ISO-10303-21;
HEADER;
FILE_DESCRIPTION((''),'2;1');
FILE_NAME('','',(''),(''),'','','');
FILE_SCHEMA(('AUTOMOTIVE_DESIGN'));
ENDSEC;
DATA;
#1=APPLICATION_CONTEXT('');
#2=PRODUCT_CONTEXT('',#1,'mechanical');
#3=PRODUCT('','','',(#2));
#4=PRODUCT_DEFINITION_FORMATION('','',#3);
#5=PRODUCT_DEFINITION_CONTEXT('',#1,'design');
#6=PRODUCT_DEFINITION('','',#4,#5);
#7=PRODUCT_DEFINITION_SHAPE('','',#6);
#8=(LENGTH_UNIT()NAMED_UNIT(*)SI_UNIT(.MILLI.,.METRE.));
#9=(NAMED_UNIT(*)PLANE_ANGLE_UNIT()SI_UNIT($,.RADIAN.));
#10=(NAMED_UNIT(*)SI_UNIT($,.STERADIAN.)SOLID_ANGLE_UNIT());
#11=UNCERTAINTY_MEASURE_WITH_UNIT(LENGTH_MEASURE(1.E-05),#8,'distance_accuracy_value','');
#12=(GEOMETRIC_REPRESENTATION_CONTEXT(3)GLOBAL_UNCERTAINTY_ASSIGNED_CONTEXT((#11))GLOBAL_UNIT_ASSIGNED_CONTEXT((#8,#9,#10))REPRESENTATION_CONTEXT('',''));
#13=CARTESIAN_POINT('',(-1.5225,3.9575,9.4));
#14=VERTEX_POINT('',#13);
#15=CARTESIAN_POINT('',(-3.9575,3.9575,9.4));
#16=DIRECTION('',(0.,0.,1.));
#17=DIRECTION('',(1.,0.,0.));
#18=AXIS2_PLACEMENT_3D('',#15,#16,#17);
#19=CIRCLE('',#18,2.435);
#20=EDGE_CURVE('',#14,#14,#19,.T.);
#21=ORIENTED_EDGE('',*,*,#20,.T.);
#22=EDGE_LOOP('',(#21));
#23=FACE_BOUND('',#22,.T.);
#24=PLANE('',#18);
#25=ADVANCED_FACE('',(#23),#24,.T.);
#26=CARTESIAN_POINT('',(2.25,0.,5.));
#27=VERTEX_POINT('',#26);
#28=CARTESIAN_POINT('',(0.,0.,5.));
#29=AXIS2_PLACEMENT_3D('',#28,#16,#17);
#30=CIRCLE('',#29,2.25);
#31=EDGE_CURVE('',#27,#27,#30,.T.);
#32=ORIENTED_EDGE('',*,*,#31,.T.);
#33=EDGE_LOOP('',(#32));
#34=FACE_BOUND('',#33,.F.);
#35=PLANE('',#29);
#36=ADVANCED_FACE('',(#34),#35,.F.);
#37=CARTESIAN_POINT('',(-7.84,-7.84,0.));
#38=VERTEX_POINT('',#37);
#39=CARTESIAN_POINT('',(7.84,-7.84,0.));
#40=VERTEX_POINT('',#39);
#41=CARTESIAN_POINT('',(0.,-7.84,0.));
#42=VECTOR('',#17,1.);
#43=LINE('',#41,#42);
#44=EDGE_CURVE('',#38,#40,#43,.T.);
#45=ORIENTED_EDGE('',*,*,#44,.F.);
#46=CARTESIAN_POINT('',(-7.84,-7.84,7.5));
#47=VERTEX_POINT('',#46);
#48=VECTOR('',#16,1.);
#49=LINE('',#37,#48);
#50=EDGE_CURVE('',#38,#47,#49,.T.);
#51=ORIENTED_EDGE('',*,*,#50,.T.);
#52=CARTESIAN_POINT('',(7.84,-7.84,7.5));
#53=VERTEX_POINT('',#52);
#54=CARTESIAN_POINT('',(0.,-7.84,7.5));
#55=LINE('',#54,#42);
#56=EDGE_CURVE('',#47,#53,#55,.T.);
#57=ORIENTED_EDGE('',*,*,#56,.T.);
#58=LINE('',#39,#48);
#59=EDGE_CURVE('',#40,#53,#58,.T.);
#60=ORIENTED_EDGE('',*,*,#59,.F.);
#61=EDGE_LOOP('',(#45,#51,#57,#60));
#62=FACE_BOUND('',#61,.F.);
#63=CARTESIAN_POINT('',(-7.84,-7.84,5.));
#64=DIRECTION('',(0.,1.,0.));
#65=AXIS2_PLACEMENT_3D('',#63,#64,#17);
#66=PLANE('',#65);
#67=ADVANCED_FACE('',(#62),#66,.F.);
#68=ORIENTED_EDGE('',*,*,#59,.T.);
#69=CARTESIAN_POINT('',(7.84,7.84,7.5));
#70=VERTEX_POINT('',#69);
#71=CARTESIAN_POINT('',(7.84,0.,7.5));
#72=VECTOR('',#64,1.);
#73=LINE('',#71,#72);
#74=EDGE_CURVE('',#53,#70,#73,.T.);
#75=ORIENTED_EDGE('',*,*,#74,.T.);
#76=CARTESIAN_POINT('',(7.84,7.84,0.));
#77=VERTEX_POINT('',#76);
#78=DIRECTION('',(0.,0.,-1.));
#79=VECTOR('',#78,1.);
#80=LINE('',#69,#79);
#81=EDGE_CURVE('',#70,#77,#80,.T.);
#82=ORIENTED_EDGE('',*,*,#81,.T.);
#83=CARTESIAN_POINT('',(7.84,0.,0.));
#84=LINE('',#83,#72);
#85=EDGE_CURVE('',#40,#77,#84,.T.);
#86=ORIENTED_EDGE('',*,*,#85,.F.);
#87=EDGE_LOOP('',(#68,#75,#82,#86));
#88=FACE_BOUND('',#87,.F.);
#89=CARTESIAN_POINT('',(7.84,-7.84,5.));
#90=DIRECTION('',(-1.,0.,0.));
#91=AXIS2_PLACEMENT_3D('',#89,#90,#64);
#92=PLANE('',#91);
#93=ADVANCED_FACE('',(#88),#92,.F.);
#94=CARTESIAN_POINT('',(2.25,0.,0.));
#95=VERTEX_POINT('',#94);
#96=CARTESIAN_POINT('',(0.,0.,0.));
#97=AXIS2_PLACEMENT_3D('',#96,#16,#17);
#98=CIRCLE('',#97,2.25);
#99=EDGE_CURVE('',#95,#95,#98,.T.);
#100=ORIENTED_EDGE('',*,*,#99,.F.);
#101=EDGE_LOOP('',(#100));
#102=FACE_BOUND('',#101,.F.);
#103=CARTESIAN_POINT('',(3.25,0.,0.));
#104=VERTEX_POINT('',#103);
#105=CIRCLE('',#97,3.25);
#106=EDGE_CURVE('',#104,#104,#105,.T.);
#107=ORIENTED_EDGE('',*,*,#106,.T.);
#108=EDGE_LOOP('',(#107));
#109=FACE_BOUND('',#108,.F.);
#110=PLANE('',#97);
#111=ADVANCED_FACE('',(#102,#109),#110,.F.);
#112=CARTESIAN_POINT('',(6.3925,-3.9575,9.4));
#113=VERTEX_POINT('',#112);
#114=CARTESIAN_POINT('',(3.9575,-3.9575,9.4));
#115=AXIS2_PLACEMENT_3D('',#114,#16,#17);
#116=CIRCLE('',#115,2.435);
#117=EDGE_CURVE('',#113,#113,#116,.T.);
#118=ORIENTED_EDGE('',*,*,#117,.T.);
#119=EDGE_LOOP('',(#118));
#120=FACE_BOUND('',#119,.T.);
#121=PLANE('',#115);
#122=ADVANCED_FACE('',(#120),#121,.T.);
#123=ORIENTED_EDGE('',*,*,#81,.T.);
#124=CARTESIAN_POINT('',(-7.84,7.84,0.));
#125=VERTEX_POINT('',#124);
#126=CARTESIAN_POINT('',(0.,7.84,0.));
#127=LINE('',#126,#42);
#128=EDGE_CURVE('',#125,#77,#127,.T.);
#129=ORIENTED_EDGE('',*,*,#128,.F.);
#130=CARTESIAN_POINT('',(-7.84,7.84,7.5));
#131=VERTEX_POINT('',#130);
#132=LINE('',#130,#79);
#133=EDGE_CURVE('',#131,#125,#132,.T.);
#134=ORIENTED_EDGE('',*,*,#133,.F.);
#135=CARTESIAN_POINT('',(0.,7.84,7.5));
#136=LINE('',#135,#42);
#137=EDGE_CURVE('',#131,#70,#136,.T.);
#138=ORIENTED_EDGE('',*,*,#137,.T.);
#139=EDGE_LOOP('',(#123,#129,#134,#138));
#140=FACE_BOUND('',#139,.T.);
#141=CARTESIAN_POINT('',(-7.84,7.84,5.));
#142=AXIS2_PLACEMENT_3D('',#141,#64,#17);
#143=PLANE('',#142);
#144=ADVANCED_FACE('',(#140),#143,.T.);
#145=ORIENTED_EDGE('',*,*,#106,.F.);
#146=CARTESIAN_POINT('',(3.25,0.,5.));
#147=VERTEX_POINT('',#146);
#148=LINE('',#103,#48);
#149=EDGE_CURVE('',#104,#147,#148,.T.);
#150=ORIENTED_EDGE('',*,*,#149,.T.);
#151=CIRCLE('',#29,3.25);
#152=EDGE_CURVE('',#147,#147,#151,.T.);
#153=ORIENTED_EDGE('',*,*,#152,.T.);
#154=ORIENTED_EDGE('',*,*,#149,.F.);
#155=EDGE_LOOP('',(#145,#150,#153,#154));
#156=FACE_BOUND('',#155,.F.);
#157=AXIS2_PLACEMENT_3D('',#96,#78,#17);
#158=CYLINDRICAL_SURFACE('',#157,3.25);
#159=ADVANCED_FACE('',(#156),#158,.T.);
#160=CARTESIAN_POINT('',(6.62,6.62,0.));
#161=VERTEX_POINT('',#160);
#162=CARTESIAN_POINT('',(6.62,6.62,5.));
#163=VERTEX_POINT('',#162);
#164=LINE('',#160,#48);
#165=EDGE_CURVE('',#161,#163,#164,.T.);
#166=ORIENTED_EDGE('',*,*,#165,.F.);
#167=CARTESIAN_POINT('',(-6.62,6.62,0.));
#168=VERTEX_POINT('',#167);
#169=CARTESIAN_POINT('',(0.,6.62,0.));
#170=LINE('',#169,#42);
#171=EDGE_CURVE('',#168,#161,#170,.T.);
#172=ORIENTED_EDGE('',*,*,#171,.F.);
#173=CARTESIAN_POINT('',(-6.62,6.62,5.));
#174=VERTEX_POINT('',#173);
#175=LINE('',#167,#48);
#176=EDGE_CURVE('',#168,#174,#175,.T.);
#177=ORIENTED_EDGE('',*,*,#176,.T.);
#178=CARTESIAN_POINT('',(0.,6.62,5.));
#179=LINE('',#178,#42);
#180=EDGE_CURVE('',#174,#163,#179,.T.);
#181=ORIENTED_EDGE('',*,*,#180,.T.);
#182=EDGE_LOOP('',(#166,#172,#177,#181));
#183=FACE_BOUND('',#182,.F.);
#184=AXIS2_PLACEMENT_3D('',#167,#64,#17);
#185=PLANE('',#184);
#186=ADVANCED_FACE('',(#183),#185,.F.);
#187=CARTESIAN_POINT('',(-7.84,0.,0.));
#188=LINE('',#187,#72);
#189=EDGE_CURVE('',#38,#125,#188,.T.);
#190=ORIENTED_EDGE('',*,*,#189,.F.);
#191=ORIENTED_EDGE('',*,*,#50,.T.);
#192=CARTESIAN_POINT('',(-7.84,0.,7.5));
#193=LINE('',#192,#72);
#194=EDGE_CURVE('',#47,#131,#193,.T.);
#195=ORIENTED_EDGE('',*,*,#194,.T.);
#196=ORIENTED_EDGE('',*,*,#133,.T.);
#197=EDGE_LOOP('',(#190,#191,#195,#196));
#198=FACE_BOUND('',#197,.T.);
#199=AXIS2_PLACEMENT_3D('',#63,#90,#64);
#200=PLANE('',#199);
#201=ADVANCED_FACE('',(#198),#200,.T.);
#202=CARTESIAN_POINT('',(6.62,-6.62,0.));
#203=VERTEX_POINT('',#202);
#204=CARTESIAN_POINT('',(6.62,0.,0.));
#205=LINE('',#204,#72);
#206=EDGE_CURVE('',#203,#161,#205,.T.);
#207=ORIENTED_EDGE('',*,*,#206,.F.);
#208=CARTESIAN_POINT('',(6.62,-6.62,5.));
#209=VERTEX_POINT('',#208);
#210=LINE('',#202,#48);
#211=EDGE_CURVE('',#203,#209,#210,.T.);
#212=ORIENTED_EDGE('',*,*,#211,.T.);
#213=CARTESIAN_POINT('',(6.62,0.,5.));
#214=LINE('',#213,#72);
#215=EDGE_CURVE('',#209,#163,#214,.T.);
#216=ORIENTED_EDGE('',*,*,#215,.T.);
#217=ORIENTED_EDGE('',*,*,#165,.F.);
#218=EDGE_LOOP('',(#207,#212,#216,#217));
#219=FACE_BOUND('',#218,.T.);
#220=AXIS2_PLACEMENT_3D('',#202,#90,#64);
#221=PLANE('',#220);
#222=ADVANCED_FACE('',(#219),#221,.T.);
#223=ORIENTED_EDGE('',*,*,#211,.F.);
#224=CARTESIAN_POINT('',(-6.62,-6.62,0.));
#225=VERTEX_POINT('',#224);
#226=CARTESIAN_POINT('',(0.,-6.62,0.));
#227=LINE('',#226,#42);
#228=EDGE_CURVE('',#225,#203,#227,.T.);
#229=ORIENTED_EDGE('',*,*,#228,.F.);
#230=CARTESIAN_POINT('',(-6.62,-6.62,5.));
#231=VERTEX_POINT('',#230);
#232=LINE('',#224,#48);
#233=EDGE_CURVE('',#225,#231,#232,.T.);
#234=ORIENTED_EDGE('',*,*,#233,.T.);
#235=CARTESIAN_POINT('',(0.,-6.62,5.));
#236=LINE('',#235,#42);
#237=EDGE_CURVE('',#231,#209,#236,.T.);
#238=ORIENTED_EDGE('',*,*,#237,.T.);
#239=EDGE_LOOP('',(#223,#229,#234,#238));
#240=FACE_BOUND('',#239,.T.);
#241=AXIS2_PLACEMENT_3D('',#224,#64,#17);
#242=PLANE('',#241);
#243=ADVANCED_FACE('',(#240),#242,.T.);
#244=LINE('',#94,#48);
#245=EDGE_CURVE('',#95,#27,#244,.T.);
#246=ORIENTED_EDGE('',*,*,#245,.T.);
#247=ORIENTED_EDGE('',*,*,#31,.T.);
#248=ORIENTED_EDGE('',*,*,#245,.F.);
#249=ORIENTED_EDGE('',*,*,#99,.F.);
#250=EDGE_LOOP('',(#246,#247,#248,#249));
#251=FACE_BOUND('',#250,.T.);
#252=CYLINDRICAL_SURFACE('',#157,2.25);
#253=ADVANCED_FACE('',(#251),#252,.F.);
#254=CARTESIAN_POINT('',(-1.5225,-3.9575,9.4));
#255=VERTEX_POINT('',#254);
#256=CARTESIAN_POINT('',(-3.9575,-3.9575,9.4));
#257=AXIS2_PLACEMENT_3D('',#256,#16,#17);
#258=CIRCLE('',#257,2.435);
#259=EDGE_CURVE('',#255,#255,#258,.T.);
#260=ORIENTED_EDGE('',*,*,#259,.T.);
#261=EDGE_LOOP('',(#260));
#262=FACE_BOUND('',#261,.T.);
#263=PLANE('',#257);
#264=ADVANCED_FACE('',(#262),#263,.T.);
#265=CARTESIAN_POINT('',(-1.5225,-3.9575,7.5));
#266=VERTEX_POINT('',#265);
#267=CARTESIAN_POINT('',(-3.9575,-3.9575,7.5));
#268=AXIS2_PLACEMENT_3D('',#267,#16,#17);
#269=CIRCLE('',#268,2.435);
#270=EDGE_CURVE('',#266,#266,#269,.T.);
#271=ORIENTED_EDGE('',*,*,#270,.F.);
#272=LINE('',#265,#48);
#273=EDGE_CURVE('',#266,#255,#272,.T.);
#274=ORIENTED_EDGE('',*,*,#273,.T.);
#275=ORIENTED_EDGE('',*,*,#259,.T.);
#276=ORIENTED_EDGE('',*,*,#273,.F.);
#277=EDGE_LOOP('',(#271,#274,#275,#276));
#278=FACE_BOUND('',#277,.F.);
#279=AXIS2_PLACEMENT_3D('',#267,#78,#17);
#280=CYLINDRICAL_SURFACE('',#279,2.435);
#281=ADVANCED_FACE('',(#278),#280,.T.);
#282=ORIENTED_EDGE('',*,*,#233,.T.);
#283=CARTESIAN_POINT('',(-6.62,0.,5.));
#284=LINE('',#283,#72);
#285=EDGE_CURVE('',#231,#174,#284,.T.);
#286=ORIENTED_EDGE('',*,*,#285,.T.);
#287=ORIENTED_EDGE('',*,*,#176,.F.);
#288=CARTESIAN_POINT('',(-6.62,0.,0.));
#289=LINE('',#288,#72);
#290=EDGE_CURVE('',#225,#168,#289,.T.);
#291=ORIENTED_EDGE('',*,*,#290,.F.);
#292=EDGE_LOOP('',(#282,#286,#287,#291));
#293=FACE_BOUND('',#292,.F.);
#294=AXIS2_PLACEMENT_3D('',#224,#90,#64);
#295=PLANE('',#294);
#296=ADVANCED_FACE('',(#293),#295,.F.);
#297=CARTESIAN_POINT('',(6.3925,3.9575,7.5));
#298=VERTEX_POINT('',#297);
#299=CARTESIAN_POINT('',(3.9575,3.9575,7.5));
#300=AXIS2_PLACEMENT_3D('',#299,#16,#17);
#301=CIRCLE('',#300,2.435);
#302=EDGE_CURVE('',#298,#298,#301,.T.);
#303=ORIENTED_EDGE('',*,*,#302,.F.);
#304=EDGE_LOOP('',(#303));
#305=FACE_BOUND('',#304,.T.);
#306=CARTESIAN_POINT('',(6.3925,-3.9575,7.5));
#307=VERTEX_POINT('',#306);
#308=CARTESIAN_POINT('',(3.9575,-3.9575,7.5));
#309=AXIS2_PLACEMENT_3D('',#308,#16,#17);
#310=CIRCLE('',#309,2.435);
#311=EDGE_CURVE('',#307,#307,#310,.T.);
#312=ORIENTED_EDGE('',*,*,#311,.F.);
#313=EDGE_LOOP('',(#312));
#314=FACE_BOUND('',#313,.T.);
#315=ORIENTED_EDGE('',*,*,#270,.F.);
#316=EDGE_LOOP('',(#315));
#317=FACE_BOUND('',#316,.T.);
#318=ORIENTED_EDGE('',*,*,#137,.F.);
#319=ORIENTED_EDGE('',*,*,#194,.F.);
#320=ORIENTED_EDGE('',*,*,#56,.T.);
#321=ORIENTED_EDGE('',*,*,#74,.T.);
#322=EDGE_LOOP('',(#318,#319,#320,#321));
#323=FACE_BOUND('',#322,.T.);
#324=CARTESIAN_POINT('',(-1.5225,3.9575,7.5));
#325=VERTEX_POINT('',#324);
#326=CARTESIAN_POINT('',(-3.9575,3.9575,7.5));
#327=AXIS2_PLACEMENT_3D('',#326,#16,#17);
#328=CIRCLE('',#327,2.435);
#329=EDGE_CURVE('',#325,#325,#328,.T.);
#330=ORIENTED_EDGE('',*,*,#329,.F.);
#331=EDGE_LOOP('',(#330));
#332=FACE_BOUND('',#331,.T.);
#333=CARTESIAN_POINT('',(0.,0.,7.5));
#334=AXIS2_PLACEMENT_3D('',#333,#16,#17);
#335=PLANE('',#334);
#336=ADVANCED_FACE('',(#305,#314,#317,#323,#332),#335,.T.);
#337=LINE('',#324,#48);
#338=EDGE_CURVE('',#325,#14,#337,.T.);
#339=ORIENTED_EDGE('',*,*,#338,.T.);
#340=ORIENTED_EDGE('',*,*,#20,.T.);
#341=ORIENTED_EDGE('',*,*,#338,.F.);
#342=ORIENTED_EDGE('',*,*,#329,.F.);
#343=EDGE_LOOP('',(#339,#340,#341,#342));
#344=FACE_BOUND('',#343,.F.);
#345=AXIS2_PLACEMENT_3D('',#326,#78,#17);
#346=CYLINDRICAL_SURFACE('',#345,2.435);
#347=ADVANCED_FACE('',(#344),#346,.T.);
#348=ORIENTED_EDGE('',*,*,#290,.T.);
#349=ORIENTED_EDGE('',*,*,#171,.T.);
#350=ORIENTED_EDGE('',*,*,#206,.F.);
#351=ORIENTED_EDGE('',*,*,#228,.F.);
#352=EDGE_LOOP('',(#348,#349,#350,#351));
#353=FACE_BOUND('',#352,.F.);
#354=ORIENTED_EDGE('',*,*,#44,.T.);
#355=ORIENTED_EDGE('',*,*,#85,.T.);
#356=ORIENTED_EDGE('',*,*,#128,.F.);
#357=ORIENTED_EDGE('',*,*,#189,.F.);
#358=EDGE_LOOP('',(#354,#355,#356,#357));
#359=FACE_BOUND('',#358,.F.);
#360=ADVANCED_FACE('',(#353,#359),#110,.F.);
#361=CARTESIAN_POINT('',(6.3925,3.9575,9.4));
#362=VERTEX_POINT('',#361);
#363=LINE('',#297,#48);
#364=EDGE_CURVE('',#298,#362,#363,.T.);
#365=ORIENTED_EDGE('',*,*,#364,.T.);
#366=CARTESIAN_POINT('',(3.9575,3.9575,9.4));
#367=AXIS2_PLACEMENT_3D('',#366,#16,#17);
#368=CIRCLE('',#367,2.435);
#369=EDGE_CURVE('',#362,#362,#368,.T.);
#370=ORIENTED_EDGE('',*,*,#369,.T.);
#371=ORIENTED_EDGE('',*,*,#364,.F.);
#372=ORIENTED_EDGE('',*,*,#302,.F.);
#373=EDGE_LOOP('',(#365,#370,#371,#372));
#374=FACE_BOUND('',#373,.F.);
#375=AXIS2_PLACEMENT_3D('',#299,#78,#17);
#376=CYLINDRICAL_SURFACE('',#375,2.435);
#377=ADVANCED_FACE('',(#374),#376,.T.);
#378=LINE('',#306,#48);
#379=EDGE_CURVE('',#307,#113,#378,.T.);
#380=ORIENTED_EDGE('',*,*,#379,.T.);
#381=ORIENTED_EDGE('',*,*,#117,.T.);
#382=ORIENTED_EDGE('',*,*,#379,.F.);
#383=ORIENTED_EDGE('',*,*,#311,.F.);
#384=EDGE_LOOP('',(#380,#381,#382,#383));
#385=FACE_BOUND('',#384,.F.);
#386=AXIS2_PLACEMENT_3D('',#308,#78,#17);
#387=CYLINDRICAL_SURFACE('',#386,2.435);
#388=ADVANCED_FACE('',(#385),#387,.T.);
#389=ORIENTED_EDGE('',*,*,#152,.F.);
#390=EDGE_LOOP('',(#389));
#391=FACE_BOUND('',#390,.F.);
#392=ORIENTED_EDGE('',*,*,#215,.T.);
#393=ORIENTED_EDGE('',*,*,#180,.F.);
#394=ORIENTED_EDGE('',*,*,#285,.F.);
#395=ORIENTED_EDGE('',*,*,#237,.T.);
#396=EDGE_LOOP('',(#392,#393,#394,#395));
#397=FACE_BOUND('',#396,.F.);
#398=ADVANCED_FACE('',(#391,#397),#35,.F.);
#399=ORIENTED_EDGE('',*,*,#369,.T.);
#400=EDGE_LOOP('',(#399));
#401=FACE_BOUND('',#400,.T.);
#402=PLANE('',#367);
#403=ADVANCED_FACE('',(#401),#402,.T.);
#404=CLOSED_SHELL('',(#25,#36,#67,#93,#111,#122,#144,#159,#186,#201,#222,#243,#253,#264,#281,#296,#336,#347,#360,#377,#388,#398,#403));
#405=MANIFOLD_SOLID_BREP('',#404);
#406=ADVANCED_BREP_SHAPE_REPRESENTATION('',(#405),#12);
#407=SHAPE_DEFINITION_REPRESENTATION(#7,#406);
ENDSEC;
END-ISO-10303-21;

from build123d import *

# Parameters (mm, degrees)
F2_W     = 15.68
F2_H     = 15.68
F2_W_2   = 13.24
F2_H_2   = 13.24
F3_DEPTH = 5
F2_R     = 3.25
F2_R_2   = 2.25
F5_W     = 15.68
F5_H     = 15.68
F6_DEPTH = 2.5
F7_R     = 2.435
F8_DEPTH = 1.9


with BuildPart() as f3:
    # F2 (on Top) → F3 (new body)
    with BuildSketch(Plane.XY):
        Rectangle(F2_W, F2_H)
        Rectangle(F2_W_2, F2_H_2, mode=Mode.SUBTRACT)
    extrude(amount=F3_DEPTH)



with BuildPart() as f3b:
    # F2 (on Top) → F3, piece 2 (new body)
    with BuildSketch(Plane.XY):
        Circle(F2_R)
        Circle(F2_R_2, mode=Mode.SUBTRACT)
    extrude(amount=F3_DEPTH)


with BuildPart() as f3_1:
    add(f3.part)

    add(f3b.part)  # F6 merges F3b
    # F5 (on offset) → F6 (join)
    with BuildSketch(Plane.XY.offset(5)):
        Rectangle(F5_W, F5_H)
    extrude(amount=F6_DEPTH)

    # F7 (on face) → F8 (join)
    with BuildSketch(Plane.XY.offset(7.5)):
        with Locations((-3.9575, 3.9575)):
            Circle(F7_R)
        with Locations((-3.9575, -3.9575)):
            Circle(F7_R)
        with Locations((3.9575, -3.9575)):
            Circle(F7_R)
        with Locations((3.9575, 3.9575)):
            Circle(F7_R)
    extrude(amount=F8_DEPTH)


solid = f3_1.part
